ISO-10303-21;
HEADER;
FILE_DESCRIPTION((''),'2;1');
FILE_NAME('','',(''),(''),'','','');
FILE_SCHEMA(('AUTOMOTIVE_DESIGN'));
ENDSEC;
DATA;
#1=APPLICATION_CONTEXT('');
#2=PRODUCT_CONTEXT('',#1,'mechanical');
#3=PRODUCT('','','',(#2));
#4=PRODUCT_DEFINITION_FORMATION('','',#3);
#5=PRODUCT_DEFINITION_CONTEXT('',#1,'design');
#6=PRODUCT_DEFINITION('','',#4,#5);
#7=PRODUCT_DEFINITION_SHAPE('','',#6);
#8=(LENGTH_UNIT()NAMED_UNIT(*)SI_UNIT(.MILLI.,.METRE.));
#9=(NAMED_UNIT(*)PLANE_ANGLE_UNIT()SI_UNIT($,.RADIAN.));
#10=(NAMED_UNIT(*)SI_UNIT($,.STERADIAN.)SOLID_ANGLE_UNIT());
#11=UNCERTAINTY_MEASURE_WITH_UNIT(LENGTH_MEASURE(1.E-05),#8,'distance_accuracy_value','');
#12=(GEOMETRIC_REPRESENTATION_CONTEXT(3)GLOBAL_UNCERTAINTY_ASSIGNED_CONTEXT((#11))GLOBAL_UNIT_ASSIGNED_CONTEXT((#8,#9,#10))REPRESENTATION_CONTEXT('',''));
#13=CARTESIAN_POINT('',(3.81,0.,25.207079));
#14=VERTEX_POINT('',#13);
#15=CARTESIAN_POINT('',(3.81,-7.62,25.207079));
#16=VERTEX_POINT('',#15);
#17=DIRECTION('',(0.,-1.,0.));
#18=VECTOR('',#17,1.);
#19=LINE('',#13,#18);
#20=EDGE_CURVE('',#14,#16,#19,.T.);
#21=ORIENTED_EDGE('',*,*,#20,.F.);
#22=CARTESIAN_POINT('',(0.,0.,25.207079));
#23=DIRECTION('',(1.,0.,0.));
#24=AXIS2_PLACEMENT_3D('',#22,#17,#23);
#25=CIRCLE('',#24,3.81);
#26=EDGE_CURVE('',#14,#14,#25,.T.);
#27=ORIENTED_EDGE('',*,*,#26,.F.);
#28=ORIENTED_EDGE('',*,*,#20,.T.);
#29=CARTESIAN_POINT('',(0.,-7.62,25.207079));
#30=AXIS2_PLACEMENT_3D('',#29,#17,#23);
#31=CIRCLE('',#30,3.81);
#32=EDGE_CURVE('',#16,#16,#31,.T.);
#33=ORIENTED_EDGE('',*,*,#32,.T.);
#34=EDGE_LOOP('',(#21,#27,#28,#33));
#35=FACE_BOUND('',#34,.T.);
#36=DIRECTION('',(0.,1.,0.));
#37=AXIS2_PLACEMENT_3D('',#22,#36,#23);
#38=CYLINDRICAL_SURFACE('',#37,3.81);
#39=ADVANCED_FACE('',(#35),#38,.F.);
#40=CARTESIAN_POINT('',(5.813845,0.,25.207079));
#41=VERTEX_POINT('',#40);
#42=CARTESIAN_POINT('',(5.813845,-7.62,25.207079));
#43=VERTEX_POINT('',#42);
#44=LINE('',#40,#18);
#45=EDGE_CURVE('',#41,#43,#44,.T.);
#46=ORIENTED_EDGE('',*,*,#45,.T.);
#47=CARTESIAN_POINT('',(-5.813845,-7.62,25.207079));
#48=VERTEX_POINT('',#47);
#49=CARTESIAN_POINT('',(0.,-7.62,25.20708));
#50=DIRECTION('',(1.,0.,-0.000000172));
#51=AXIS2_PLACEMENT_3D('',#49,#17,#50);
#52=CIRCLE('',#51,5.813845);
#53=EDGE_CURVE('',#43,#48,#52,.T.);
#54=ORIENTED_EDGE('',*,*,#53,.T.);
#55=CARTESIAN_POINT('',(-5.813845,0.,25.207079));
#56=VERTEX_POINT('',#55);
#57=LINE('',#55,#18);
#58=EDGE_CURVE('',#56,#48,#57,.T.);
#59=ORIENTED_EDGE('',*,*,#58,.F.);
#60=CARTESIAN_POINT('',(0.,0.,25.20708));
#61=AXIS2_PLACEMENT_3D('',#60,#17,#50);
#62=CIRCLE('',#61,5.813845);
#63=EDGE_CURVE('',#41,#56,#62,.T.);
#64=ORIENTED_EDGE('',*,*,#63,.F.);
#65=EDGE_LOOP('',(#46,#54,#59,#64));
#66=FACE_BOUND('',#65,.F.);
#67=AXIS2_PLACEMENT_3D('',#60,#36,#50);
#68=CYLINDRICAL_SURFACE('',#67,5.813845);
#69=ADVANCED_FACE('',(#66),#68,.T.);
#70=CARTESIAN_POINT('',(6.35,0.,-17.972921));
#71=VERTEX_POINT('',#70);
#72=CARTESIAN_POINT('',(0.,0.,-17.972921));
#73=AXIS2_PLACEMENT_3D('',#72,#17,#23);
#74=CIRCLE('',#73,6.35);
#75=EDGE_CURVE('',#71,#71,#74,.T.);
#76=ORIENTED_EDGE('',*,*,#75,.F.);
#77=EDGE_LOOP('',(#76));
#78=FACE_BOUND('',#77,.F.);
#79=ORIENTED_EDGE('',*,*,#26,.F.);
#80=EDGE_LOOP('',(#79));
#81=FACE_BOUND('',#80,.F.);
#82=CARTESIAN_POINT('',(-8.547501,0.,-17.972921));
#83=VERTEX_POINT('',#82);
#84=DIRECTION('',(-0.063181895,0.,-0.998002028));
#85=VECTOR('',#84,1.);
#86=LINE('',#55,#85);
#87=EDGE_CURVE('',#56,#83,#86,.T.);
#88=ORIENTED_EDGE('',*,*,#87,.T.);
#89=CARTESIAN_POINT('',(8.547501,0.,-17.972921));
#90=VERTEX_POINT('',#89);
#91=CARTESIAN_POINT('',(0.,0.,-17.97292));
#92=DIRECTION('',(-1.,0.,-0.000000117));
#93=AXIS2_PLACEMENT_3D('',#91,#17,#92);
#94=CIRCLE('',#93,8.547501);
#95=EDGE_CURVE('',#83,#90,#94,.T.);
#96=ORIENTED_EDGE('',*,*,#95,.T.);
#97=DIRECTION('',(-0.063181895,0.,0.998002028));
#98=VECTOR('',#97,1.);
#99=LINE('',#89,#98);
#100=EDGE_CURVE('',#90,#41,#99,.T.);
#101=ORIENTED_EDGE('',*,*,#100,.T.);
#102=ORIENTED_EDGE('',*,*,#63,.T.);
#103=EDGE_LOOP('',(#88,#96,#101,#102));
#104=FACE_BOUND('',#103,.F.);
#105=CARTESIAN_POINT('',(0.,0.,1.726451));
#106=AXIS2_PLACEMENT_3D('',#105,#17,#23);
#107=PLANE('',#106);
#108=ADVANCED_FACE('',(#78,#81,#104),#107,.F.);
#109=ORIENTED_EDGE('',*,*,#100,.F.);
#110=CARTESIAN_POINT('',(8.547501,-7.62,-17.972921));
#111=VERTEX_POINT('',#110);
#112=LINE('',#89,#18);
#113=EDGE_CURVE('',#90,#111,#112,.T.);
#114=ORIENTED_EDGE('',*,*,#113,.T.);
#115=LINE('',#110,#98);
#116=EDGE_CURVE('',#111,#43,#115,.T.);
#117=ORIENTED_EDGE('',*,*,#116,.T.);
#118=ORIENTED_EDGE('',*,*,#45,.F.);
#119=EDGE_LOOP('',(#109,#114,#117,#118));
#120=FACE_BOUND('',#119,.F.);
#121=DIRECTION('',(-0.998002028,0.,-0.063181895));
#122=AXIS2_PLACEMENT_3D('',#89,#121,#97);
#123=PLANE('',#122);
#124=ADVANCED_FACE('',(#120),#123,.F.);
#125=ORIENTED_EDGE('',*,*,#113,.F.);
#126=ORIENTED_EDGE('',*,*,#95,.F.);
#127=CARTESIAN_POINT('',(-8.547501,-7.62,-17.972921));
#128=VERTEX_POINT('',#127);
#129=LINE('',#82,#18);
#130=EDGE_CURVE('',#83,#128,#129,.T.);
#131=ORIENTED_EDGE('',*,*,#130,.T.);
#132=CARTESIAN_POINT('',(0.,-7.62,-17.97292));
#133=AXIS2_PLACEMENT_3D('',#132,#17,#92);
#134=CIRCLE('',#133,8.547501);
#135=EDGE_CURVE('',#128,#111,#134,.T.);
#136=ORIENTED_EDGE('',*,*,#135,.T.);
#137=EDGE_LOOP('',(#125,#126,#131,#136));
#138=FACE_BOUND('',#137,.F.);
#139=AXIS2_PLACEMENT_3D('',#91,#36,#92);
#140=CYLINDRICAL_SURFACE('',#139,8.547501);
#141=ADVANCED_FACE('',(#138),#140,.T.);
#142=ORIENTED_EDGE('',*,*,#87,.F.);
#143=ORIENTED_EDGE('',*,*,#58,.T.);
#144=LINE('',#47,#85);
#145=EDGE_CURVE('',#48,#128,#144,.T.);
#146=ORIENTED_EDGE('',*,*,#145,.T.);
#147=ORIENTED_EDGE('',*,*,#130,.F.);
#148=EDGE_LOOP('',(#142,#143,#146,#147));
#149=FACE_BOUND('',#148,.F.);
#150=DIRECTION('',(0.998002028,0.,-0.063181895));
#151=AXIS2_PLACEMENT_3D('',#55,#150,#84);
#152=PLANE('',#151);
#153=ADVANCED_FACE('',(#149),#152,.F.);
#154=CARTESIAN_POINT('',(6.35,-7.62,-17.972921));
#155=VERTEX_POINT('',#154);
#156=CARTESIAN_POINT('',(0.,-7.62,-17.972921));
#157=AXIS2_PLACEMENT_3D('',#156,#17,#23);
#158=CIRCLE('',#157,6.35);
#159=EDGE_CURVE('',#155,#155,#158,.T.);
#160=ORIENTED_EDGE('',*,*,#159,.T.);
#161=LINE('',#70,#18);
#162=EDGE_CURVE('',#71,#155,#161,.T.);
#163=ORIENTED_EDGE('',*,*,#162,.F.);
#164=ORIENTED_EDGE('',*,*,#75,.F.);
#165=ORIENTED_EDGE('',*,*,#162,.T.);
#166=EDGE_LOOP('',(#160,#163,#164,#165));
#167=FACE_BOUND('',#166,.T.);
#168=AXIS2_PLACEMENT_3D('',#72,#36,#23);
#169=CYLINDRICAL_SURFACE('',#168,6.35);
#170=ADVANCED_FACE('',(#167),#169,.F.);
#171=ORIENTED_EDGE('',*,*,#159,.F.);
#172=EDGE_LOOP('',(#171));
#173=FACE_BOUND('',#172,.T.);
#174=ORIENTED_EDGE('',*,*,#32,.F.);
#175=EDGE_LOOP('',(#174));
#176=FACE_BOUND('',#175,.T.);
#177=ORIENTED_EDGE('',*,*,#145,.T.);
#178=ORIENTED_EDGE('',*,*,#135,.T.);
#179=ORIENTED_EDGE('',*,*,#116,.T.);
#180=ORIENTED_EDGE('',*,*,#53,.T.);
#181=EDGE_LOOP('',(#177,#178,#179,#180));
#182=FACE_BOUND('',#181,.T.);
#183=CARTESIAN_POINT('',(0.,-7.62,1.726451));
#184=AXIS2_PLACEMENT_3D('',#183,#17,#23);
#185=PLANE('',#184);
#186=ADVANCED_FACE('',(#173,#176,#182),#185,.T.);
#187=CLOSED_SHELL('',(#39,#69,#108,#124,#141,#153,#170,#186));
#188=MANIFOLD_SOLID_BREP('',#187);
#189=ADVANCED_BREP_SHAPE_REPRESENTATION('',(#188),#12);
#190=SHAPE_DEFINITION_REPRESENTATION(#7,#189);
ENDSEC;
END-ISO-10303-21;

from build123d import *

# Parameters (mm, degrees)
F0_R     = 6.35
F0_R_2   = 3.81
F1_DEPTH = 7.62


with BuildPart() as f1:
    # F0 (on Front) → F1 (new body)
    with BuildSketch(Plane.XZ):
        with BuildLine():
            ThreePointArc((-8.547501, -17.972921), (0, -26.520421), (8.547501, -17.972921))
            Line((8.547501, -17.972921), (5.813845, 25.207079))
            ThreePointArc((5.813845, 25.207079), (0, 31.020925), (-5.813845, 25.207079))
            Line((-5.813845, 25.207079), (-8.547501, -17.972921))
        make_face()
        with Locations((0, -17.972921)):
            Circle(F0_R, mode=Mode.SUBTRACT)
        with Locations((0, 25.207079)):
            Circle(F0_R_2, mode=Mode.SUBTRACT)
    extrude(amount=F1_DEPTH)


solid = f1.part
